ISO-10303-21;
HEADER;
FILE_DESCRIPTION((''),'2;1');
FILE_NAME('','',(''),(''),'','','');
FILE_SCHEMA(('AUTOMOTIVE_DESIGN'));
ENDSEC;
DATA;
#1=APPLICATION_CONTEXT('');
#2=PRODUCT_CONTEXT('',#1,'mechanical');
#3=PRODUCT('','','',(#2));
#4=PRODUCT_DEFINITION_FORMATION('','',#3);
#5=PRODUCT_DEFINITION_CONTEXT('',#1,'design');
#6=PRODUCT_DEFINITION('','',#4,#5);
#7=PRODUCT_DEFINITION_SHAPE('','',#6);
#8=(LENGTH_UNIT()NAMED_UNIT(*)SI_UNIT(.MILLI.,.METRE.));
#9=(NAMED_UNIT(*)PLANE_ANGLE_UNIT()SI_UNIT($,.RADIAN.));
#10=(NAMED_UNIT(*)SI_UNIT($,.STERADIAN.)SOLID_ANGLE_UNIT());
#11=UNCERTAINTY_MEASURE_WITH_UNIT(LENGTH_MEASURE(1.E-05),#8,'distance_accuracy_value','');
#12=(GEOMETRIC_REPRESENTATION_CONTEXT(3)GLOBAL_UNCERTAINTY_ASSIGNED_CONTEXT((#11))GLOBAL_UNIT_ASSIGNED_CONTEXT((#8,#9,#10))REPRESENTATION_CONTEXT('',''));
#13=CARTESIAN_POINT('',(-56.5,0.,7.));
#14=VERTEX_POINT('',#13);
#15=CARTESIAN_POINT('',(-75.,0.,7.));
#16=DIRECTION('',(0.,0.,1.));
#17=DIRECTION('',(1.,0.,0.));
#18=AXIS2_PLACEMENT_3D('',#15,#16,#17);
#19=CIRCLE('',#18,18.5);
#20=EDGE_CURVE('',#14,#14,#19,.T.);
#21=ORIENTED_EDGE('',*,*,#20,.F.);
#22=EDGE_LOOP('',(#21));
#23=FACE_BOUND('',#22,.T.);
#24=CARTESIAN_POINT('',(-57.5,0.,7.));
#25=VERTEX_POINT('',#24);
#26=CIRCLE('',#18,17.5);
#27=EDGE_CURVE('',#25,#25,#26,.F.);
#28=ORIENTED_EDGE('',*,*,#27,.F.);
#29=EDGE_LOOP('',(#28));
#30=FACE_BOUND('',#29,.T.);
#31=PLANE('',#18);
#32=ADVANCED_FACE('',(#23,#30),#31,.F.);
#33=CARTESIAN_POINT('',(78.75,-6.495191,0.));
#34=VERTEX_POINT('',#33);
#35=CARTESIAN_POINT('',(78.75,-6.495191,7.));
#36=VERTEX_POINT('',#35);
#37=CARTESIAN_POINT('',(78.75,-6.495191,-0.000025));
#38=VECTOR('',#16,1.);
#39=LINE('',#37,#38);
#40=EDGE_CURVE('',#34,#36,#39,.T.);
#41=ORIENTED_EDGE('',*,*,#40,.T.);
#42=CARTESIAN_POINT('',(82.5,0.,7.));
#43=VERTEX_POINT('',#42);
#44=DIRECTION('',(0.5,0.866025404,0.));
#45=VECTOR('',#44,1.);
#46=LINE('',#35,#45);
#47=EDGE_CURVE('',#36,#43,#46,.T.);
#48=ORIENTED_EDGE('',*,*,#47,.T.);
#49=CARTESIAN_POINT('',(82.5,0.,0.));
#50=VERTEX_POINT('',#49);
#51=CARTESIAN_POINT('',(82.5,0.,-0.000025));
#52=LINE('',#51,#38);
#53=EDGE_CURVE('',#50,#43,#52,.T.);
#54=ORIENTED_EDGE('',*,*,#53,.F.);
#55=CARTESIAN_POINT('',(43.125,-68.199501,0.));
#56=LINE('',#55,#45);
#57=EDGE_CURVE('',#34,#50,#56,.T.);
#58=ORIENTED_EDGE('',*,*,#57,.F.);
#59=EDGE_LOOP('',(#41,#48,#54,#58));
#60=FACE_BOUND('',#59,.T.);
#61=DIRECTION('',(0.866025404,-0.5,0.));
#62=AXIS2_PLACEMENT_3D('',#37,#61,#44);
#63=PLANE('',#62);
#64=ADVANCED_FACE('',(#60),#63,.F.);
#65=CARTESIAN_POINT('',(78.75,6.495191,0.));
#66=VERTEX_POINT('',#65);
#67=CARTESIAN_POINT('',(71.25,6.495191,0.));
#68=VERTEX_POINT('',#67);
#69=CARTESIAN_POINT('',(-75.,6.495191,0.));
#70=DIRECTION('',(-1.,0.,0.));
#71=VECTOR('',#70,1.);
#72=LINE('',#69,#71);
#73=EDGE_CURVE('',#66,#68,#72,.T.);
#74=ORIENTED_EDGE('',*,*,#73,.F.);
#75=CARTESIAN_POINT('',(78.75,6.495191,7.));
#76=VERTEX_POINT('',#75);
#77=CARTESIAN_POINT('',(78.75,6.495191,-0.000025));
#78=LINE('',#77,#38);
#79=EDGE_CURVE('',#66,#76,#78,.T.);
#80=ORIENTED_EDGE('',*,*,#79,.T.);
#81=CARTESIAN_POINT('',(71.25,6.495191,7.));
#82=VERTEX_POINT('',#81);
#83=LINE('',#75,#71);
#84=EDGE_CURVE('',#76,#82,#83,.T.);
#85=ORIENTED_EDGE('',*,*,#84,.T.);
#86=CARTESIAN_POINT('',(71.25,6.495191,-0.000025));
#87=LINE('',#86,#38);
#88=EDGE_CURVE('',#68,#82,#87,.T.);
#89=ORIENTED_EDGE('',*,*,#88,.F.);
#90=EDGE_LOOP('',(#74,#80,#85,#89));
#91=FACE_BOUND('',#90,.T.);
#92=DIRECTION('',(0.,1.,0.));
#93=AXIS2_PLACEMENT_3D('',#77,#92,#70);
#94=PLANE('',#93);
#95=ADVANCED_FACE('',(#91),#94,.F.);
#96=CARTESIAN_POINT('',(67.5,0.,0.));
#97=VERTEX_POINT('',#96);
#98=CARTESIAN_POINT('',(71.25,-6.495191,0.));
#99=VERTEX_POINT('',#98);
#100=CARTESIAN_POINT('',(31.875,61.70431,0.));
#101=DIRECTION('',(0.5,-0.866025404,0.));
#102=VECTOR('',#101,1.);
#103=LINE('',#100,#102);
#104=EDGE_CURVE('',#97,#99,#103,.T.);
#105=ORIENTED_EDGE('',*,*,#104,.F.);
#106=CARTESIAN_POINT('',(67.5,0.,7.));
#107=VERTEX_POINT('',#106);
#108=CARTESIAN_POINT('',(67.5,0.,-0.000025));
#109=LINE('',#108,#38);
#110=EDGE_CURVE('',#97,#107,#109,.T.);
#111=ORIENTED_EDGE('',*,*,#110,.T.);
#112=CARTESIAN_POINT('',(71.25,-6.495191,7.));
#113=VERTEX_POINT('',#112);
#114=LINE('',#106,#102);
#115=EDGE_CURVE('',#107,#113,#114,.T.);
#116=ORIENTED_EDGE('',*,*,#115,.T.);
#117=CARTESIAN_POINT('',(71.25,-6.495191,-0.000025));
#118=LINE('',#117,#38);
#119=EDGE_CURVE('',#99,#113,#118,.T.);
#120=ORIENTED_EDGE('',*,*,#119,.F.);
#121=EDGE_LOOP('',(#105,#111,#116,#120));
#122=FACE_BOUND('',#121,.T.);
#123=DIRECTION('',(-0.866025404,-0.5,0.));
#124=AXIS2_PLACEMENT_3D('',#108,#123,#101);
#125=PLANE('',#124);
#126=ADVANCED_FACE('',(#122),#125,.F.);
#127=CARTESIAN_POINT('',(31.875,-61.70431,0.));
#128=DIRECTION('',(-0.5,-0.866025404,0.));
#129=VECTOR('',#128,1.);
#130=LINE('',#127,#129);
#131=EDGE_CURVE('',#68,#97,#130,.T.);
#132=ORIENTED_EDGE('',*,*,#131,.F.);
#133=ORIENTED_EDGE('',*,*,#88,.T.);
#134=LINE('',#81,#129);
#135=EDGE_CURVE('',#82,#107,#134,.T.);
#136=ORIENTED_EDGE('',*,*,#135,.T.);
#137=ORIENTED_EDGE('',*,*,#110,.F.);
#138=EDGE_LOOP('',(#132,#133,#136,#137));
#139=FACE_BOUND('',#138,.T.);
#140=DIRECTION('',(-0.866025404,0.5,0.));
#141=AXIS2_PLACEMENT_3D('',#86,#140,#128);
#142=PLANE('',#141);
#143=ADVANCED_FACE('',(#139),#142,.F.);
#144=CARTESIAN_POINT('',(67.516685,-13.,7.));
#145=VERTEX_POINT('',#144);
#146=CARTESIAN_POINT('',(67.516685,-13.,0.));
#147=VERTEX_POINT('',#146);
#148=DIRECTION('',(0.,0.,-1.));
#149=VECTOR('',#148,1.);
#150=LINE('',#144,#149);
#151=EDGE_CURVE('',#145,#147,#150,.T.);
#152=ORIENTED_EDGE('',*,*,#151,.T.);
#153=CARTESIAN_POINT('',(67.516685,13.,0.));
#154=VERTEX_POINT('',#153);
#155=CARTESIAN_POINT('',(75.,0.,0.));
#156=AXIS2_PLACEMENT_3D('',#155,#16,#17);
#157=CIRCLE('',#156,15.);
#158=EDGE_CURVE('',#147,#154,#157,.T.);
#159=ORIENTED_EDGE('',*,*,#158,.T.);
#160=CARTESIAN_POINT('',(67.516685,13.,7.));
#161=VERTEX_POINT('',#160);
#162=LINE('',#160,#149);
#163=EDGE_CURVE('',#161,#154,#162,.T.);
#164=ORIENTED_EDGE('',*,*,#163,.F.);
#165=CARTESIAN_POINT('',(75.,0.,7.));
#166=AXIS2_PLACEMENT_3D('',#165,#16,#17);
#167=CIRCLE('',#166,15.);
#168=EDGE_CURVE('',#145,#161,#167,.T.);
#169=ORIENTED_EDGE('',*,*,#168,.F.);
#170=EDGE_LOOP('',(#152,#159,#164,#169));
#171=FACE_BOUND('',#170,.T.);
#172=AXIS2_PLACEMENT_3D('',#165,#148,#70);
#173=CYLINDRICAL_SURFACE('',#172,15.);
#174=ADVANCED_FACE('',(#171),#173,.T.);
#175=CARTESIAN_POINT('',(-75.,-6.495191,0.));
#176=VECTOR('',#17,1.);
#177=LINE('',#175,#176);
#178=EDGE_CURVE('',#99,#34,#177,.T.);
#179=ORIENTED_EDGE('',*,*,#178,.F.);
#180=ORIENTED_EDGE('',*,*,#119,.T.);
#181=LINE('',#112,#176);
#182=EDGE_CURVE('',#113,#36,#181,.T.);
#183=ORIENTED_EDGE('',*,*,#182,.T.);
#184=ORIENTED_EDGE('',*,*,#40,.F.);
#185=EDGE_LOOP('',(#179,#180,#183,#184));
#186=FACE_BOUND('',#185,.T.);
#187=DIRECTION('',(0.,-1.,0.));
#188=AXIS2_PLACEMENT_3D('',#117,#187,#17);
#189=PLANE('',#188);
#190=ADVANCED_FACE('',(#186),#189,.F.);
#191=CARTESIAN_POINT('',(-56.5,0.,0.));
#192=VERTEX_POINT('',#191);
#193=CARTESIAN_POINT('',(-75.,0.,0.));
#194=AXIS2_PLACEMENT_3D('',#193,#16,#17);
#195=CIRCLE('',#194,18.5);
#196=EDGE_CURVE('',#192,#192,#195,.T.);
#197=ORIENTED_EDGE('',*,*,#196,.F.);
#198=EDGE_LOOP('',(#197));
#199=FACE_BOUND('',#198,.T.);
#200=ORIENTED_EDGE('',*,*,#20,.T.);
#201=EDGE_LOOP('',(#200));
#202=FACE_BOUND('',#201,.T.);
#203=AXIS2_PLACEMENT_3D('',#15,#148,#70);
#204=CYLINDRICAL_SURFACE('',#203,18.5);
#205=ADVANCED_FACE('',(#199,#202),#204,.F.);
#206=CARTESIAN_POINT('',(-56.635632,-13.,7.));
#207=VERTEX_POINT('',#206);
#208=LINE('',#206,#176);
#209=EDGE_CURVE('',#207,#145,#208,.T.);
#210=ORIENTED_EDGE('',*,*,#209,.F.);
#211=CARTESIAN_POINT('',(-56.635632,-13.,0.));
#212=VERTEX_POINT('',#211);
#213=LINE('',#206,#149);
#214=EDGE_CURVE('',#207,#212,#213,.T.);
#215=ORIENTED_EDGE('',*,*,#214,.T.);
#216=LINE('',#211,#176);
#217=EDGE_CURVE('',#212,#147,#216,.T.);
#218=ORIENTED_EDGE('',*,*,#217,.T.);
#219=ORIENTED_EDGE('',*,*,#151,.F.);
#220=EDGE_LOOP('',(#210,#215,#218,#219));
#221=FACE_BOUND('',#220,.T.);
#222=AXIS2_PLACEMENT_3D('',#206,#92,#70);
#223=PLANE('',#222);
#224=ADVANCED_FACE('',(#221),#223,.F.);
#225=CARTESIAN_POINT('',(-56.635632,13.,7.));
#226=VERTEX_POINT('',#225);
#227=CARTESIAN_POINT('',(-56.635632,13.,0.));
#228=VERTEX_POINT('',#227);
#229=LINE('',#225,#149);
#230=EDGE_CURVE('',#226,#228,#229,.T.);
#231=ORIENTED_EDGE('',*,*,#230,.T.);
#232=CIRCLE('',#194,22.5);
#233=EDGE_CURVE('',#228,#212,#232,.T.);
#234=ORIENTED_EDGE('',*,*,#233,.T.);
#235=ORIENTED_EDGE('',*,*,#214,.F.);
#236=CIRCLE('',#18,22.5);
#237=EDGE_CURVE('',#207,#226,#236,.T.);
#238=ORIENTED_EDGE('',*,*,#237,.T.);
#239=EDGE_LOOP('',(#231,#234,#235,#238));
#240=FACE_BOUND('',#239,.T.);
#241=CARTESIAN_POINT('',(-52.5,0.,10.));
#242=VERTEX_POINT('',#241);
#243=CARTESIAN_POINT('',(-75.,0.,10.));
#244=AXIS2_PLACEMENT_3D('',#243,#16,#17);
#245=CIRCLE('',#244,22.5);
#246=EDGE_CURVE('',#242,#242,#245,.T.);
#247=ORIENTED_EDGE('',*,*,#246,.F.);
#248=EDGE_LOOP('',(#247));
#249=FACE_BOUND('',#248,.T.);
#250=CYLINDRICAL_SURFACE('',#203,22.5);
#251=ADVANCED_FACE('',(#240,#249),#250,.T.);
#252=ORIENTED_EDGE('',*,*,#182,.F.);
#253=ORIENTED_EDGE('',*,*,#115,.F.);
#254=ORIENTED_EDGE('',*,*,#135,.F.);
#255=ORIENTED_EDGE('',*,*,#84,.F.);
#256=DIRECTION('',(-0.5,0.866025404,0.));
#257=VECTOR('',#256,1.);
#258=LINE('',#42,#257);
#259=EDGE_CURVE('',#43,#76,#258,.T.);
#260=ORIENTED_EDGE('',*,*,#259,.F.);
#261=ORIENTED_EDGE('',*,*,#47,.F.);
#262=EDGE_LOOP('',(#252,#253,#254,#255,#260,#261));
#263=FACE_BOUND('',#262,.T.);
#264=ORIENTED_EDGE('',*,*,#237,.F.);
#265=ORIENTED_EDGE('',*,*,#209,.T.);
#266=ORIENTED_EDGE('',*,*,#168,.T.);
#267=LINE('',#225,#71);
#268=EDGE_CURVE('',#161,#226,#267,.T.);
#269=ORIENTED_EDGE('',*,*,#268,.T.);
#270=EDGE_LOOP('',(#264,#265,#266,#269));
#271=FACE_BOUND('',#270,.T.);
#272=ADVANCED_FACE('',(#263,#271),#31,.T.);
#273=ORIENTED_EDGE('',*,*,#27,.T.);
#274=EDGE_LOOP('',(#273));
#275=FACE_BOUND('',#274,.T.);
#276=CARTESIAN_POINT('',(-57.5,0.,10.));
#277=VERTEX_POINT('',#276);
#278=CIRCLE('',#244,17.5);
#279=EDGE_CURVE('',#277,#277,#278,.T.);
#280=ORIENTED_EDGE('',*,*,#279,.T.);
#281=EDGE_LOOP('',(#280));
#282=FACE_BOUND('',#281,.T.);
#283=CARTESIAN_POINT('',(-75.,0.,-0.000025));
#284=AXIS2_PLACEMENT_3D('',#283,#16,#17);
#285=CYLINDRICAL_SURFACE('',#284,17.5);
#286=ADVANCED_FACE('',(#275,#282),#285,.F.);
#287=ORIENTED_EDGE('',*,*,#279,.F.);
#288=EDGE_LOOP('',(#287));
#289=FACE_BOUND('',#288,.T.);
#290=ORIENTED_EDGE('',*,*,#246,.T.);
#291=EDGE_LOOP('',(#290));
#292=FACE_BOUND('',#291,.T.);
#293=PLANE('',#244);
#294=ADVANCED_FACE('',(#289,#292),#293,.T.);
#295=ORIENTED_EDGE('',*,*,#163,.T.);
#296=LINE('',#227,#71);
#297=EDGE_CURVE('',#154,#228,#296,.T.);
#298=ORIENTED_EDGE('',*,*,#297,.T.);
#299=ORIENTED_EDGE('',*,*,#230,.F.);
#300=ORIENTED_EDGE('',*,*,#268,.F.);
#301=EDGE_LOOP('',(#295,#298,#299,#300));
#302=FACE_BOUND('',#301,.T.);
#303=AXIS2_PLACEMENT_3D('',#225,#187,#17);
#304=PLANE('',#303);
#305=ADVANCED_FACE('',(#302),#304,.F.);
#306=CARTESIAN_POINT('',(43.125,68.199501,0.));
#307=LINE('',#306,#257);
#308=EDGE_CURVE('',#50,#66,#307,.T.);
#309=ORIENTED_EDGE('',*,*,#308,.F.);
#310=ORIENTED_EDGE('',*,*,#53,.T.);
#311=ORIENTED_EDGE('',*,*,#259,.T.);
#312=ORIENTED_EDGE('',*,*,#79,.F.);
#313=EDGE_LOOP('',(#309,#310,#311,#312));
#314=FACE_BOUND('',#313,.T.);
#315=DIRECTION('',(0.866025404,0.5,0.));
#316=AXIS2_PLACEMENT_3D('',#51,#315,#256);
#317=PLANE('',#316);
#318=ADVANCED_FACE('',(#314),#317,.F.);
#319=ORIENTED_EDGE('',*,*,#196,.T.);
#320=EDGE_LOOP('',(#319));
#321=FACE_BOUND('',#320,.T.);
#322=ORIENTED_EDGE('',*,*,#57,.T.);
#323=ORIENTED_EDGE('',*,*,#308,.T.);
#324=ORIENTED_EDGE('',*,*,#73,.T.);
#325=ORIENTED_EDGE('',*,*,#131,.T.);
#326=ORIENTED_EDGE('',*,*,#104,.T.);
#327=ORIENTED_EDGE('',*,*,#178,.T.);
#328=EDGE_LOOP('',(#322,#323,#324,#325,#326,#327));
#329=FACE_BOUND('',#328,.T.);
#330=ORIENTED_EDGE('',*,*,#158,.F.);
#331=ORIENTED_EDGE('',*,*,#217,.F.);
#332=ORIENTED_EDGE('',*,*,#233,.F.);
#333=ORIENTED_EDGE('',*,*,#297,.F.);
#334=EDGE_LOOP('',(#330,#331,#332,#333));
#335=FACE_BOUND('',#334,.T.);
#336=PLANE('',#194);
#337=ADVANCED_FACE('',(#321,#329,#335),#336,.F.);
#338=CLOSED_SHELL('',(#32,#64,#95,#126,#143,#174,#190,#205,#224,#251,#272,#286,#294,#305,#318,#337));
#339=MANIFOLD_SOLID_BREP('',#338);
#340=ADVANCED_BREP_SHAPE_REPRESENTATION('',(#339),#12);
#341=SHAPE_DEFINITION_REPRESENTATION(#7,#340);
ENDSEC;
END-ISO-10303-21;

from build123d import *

# Parameters (mm, degrees)
BOSS_EXTRUDE1_DEPTH = 7
SKETCH2_R           = 22.5
BOSS_EXTRUDE2_DEPTH = 3
CUT_EXTRUDE1_DEPTH  = 101.307028667
SKETCH4_R           = 17.5
CUT_EXTRUDE2_DEPTH  = 101.560926806
SKETCH5_R           = 18.5
CUT_EXTRUDE3_DEPTH  = 7


with BuildPart() as part:
    # Sketch1 → Boss-Extrude1 (new body)
    with BuildSketch(Plane.XY):
        with BuildLine():
            Line((-56.635632328, 13), (67.516685226, 13))
            ThreePointArc((67.516685226, 13), (90, 0), (67.516685226, -13))
            Line((67.516685226, -13), (-56.635632328, -13))
            ThreePointArc((-56.635632328, -13), (-97.5, 0), (-56.635632328, 13))
        make_face()
    extrude(amount=BOSS_EXTRUDE1_DEPTH)

    # Sketch2 → Boss-Extrude2 (add)
    with BuildSketch(Plane.XY.offset(7)):
        with Locations(Location((-75, 0, 0), (0, 0, 324.705605323))):
            Circle(SKETCH2_R)
    extrude(amount=BOSS_EXTRUDE2_DEPTH)

    # Sketch3 → Cut-Extrude1 (cut, through all)
    with BuildSketch(Plane.XY.offset(7)):
        Polygon((82.5, 0), (78.75, 6.495190528), (71.25, 6.495190528), (67.5, 0), (71.25, -6.495190528), (78.75, -6.495190528), align=None)
    extrude(amount=-CUT_EXTRUDE1_DEPTH, mode=Mode.SUBTRACT)

    # Sketch4 → Cut-Extrude2 (cut, through all)
    with BuildSketch(Plane.XY.offset(10)):
        with Locations((-75, 0)):
            Circle(SKETCH4_R)
    extrude(amount=-CUT_EXTRUDE2_DEPTH, mode=Mode.SUBTRACT)

    # Sketch5 → Cut-Extrude3 (cut)
    with BuildSketch(Plane.XY):
        with Locations((-75, 0)):
            Circle(SKETCH5_R)
    extrude(amount=CUT_EXTRUDE3_DEPTH, mode=Mode.SUBTRACT)


solid = part.part
